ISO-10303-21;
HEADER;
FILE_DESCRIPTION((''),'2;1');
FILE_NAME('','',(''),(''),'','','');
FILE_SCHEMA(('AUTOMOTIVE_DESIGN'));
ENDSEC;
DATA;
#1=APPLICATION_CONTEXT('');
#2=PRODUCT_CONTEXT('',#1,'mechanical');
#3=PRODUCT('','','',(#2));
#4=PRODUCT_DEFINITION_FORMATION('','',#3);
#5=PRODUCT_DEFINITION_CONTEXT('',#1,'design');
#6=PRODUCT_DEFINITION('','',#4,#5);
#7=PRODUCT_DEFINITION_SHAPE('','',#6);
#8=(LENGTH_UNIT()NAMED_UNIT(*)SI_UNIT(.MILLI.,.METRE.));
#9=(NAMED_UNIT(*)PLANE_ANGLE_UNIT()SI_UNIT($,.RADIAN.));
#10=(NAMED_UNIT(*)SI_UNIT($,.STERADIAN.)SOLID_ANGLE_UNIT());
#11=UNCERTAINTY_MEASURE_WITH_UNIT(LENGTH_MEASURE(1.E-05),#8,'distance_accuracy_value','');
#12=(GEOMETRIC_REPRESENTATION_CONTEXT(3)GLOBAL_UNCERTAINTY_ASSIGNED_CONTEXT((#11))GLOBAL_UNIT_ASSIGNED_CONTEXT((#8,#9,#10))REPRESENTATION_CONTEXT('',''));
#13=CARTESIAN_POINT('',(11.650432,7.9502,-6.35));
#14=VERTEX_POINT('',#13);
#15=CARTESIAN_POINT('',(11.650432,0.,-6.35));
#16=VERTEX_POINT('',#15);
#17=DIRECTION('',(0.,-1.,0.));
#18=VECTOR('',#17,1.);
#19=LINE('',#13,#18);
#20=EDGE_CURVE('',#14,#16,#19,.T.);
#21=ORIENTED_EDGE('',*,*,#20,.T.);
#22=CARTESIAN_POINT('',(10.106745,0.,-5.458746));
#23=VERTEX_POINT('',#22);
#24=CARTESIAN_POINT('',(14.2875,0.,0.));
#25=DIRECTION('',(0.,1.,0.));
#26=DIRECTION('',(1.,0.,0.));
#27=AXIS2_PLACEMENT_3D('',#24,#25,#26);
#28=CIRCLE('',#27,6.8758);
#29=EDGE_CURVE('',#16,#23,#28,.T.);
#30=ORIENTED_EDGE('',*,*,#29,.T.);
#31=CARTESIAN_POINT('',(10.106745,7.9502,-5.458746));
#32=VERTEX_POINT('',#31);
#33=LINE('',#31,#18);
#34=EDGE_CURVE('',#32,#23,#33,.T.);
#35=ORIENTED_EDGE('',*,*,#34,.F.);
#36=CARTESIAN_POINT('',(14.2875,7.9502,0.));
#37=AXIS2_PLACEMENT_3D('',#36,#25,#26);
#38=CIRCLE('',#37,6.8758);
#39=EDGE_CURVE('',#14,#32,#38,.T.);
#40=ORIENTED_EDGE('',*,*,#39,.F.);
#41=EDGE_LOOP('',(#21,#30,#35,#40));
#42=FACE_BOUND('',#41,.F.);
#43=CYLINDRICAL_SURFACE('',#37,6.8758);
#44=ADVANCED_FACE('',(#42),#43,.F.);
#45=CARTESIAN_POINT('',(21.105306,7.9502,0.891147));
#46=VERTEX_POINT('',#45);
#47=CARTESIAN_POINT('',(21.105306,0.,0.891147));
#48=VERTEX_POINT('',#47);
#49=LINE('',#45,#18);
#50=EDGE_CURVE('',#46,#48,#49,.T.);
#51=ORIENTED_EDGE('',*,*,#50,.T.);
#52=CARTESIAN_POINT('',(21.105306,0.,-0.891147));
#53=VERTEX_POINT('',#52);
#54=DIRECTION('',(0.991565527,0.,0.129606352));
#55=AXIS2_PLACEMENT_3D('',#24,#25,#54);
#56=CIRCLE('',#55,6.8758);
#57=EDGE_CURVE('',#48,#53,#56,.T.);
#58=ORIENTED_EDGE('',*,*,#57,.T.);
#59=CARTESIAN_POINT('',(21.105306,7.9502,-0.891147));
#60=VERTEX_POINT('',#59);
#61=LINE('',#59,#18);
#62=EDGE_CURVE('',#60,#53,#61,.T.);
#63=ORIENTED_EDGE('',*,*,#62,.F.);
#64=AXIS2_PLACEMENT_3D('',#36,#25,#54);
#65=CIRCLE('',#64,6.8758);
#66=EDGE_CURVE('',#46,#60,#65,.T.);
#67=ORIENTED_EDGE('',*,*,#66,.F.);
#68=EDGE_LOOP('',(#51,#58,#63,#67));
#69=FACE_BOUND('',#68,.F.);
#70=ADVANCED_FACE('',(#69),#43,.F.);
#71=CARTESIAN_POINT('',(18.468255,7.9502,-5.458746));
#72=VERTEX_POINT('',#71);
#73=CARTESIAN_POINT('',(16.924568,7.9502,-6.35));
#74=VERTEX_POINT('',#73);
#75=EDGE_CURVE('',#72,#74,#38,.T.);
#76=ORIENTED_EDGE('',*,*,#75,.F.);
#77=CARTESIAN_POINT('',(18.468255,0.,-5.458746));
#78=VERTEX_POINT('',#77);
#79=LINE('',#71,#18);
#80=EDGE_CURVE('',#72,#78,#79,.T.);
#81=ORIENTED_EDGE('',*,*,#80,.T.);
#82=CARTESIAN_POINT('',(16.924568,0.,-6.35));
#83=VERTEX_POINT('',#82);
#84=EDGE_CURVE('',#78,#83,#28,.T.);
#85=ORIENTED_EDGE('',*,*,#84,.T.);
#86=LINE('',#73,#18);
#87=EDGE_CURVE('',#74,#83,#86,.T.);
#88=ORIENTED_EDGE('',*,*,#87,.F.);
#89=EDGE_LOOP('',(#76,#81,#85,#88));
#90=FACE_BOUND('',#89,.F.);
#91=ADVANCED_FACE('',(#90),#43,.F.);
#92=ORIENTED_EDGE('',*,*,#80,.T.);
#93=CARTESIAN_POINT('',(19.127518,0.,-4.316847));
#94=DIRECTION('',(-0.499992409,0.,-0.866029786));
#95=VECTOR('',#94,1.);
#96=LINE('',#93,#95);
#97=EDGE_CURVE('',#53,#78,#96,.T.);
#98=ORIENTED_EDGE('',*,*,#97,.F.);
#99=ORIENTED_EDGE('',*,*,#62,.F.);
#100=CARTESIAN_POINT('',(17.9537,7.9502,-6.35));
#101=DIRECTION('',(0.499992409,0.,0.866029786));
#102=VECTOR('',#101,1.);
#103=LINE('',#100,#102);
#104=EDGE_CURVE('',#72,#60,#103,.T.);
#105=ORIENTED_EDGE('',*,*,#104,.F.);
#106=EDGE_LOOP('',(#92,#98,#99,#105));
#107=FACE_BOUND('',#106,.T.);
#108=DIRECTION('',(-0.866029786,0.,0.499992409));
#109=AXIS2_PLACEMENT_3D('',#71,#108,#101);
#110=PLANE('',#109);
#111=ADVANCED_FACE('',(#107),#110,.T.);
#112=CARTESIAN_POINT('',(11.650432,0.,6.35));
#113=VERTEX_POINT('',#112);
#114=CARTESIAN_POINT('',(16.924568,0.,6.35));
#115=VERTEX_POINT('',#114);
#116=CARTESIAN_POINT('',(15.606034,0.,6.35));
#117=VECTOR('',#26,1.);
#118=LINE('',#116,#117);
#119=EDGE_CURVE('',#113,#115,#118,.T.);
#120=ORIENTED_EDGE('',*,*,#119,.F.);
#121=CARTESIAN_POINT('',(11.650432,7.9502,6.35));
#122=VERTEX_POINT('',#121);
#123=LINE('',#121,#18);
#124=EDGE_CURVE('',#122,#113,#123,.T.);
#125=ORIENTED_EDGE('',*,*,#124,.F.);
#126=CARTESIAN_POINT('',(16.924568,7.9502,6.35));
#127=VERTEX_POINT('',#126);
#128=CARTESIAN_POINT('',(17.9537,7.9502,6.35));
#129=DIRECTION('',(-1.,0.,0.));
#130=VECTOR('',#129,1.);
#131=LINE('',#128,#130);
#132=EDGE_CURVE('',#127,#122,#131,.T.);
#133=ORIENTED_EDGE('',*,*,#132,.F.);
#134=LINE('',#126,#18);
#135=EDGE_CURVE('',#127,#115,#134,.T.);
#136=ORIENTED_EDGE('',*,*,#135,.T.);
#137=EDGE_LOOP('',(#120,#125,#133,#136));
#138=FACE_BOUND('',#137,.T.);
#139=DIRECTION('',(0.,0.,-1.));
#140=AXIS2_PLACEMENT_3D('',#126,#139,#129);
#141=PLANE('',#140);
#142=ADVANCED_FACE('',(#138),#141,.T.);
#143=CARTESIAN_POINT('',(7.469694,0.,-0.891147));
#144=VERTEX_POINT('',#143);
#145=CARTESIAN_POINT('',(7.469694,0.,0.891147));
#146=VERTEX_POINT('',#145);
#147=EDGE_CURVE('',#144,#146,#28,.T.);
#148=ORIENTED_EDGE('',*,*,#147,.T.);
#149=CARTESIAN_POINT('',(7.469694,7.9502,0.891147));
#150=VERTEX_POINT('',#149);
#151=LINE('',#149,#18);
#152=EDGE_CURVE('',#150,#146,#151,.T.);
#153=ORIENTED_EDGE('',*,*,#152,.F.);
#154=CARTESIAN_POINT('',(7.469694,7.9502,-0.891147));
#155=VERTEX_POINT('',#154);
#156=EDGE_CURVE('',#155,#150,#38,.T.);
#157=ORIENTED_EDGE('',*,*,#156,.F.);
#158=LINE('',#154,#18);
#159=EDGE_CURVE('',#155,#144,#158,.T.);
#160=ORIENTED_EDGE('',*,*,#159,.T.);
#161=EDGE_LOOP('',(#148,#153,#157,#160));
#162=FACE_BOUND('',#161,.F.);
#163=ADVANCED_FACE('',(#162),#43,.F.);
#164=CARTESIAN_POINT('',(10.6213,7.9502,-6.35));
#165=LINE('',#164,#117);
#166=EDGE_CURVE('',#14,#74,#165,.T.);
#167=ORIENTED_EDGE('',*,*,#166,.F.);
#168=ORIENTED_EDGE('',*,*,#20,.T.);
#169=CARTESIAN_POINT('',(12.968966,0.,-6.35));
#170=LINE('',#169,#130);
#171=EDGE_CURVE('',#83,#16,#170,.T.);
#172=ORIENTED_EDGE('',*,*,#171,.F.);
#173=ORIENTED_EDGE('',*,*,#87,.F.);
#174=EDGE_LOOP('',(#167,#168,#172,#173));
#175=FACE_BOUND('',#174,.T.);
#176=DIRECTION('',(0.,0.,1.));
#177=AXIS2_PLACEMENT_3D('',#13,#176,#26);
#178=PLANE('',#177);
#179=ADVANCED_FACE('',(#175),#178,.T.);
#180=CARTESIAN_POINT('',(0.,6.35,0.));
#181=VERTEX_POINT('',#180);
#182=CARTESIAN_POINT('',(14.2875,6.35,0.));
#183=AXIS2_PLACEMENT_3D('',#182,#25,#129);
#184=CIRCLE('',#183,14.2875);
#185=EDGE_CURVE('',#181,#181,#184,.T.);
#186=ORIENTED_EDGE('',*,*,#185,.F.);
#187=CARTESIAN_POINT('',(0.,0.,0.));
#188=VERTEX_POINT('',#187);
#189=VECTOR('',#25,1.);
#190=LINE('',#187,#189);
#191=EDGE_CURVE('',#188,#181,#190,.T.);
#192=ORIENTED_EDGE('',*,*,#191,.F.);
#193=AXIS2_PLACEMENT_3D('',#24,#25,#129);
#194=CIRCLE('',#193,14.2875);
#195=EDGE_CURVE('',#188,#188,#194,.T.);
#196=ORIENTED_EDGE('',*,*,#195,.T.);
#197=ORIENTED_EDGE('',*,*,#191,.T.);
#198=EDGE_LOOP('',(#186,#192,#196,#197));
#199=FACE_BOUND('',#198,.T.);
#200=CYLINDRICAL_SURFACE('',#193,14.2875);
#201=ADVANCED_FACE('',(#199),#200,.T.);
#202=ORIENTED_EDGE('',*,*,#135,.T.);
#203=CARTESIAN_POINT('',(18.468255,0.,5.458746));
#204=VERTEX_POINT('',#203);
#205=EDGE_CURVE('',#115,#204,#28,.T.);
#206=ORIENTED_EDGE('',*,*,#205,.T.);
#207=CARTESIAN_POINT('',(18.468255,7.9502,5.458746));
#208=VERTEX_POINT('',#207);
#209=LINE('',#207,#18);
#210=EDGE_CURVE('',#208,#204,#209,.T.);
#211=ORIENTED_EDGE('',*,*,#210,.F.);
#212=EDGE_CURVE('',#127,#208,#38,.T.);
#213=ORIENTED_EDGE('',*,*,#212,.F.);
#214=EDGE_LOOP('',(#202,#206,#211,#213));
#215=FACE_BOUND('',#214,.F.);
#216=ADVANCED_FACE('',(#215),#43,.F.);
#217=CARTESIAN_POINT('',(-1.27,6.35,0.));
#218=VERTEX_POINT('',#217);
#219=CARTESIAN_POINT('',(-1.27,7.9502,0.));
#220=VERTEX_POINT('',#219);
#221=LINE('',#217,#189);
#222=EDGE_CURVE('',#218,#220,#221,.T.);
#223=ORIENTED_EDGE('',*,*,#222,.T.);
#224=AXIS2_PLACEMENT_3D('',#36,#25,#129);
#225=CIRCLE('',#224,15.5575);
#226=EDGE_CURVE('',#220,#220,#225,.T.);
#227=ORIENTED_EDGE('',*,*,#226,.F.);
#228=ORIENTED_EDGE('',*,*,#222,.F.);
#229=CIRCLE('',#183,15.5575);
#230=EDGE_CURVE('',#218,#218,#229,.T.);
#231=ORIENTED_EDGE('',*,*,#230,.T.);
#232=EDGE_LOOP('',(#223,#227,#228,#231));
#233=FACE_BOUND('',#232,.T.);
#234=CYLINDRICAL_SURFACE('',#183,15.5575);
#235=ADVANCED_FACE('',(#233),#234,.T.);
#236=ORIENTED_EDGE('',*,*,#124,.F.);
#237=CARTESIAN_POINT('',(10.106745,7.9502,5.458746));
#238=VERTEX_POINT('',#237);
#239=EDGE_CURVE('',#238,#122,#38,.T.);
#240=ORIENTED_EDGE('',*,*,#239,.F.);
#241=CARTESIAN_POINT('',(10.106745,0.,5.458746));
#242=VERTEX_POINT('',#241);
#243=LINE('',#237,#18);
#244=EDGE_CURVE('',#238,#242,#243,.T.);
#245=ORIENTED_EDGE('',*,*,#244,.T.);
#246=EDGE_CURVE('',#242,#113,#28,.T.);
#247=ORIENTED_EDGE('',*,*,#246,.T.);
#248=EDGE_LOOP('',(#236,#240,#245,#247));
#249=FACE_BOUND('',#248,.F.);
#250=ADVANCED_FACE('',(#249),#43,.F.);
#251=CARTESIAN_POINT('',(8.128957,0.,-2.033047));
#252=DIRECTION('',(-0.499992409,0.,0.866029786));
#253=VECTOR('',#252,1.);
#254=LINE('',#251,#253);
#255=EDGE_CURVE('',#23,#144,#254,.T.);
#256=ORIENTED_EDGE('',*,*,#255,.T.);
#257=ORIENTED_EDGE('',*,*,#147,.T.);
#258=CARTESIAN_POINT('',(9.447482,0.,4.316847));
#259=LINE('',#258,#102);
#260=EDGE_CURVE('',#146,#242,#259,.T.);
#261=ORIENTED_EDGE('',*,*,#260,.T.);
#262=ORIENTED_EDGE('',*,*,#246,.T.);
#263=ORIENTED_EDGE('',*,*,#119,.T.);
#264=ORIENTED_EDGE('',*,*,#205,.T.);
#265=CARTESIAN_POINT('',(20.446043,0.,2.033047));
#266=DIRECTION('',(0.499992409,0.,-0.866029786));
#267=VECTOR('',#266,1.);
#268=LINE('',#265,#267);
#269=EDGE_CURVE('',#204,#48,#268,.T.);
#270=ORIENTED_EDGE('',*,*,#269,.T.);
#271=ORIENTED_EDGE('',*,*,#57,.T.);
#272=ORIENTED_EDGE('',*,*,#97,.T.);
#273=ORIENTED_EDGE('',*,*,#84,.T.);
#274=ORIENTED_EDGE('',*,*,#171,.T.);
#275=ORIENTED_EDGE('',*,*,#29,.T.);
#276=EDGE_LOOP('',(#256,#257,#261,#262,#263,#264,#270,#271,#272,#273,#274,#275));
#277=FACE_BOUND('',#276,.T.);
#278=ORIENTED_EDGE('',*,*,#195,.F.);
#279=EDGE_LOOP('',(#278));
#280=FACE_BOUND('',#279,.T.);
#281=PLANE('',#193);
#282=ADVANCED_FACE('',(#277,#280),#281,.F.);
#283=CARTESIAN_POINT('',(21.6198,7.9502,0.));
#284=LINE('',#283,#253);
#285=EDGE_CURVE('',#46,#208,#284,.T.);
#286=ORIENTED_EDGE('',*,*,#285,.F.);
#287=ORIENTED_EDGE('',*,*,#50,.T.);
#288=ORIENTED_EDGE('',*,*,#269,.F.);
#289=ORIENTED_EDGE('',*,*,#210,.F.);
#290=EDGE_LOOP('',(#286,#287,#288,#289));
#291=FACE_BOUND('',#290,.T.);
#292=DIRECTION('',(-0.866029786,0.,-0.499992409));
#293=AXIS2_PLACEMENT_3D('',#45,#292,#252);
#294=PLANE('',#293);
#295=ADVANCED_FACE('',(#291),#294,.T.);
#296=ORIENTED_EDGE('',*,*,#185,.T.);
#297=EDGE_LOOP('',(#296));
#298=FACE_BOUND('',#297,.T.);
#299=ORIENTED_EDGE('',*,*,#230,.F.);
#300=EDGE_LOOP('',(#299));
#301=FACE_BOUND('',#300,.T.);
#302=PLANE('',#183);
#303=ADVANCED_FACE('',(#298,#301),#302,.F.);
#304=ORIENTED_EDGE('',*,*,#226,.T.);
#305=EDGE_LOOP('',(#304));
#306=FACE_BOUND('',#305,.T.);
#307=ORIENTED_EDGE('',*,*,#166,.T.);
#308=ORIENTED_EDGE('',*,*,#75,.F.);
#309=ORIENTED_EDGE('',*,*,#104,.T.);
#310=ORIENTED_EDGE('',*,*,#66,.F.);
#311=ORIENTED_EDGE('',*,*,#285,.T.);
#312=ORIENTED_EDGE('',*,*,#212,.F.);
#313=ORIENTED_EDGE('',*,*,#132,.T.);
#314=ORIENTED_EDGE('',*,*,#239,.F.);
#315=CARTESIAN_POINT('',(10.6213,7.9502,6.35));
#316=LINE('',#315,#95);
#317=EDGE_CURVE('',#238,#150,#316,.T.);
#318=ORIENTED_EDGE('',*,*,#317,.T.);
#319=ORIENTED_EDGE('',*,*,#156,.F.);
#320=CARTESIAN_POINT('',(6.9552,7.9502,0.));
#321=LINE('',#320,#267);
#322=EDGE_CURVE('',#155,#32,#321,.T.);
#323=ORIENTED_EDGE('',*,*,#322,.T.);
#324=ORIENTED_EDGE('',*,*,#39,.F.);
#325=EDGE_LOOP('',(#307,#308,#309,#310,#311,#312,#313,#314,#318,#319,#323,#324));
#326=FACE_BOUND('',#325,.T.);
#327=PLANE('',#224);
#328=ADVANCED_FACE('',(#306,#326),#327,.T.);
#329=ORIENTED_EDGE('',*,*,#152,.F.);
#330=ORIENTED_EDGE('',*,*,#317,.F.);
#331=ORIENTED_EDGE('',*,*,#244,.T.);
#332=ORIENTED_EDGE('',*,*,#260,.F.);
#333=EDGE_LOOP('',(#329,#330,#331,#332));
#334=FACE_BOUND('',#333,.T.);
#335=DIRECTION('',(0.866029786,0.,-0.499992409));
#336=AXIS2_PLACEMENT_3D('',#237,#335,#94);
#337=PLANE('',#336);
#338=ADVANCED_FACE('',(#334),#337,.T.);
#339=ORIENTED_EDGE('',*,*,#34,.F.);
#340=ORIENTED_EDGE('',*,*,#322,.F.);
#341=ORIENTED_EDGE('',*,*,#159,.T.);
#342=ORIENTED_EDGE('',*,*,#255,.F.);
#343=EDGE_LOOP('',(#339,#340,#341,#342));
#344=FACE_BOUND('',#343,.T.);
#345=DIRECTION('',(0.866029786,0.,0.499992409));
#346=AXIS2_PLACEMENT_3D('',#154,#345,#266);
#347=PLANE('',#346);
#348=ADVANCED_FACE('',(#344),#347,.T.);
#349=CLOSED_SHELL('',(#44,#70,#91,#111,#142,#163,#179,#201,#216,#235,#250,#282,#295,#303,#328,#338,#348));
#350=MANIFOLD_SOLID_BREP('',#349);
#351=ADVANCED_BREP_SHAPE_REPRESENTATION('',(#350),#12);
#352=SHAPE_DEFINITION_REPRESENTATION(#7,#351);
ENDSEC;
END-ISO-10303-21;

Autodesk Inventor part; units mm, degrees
ref_plane "YZ Plane" through (0, 0, 0) normal (1, 0, 0) x (0, 1, 0)
ref_plane "XZ Plane" through (0, 0, 0) normal (0, 1, 0) x (-1, 0, 0)
ref_plane "XY Plane" through (0, 0, 0) normal (0, 0, 1) x (1, 0, 0)
sketch "Sketch5" plane through (0, 0, 0) normal (0, 0, 1) x (1, 0, 0)
  line L0 (0, 0) -> (0, 6.35)
  line L1 (0, 6.35) -> (-1.27, 6.35)
  line L2 (-1.27, 6.35) -> (-1.27, 7.9502)
  line L3 (-1.27, 7.9502) -> (29.845, 7.9502)
  line L4 (29.845, 7.9502) -> (29.845, 6.35)
  line L5 (29.845, 6.35) -> (28.575, 6.35)
  line L6 (28.575, 6.35) -> (28.575, 0)
  line L7 (28.575, 0) -> (0, 0)
  line L8 (14.2875, 0) -> (14.2875, 7.9502)
  dimension "d8" = 28.575
  dimension "d9" = 31.115
  dimension "d10" = 6.35
  dimension "d12" = 7.9502
revolve "Revolution2" add sketch "Sketch5" angle 360 about axis through (14.2875, 0, 0) along (0, 1, 0) contours L0 L1 L2 L3 L8 L7
sketch "Sketch6" plane through (14.2875, 7.9502, 0) normal (0, 1, 0) x (1, 0, 0)
  line L0 (-7.3323, 0) -> (-3.6662, 6.35)
  line L1 (-3.6662, 6.35) -> (3.6662, 6.35)
  line L2 (3.6662, 6.35) -> (7.3323, 0)
  line L3 (7.3323, 0) -> (3.6662, -6.35)
  line L4 (3.6662, -6.35) -> (-3.6662, -6.35)
  line L5 (-3.6662, -6.35) -> (-7.3323, 0)
  circle A0 centre (0, 0) radius 15.5575 projected
  circle A1 centre (0, 0) radius 6.8758
  point P0 (-14.2875, 0)
  point P1 (2.637, -6.35)
  point P2 (4.1808, -5.4587)
  point P3 (6.8178, -0.8913)
  point P4 (6.8178, 0.8913)
  point P5 (4.1808, 5.4587)
  point P6 (2.637, 6.35)
  point P7 (-2.637, 6.35)
  point P8 (-4.1808, 5.4587)
  point P9 (-6.8178, 0.8913)
  point P10 (-6.8178, -0.8913)
  point P11 (-4.1808, -5.4587)
  point P12 (-2.637, -6.35)
  dimension "d14" = 12.7
  dimension "d15" = 13.7516
extrude "Extrusion1" cut sketch "Sketch6" against normal through all contours L0 A1 L1 L2 L3 L4 L5
properties part number "Bearing for THUNDER"
